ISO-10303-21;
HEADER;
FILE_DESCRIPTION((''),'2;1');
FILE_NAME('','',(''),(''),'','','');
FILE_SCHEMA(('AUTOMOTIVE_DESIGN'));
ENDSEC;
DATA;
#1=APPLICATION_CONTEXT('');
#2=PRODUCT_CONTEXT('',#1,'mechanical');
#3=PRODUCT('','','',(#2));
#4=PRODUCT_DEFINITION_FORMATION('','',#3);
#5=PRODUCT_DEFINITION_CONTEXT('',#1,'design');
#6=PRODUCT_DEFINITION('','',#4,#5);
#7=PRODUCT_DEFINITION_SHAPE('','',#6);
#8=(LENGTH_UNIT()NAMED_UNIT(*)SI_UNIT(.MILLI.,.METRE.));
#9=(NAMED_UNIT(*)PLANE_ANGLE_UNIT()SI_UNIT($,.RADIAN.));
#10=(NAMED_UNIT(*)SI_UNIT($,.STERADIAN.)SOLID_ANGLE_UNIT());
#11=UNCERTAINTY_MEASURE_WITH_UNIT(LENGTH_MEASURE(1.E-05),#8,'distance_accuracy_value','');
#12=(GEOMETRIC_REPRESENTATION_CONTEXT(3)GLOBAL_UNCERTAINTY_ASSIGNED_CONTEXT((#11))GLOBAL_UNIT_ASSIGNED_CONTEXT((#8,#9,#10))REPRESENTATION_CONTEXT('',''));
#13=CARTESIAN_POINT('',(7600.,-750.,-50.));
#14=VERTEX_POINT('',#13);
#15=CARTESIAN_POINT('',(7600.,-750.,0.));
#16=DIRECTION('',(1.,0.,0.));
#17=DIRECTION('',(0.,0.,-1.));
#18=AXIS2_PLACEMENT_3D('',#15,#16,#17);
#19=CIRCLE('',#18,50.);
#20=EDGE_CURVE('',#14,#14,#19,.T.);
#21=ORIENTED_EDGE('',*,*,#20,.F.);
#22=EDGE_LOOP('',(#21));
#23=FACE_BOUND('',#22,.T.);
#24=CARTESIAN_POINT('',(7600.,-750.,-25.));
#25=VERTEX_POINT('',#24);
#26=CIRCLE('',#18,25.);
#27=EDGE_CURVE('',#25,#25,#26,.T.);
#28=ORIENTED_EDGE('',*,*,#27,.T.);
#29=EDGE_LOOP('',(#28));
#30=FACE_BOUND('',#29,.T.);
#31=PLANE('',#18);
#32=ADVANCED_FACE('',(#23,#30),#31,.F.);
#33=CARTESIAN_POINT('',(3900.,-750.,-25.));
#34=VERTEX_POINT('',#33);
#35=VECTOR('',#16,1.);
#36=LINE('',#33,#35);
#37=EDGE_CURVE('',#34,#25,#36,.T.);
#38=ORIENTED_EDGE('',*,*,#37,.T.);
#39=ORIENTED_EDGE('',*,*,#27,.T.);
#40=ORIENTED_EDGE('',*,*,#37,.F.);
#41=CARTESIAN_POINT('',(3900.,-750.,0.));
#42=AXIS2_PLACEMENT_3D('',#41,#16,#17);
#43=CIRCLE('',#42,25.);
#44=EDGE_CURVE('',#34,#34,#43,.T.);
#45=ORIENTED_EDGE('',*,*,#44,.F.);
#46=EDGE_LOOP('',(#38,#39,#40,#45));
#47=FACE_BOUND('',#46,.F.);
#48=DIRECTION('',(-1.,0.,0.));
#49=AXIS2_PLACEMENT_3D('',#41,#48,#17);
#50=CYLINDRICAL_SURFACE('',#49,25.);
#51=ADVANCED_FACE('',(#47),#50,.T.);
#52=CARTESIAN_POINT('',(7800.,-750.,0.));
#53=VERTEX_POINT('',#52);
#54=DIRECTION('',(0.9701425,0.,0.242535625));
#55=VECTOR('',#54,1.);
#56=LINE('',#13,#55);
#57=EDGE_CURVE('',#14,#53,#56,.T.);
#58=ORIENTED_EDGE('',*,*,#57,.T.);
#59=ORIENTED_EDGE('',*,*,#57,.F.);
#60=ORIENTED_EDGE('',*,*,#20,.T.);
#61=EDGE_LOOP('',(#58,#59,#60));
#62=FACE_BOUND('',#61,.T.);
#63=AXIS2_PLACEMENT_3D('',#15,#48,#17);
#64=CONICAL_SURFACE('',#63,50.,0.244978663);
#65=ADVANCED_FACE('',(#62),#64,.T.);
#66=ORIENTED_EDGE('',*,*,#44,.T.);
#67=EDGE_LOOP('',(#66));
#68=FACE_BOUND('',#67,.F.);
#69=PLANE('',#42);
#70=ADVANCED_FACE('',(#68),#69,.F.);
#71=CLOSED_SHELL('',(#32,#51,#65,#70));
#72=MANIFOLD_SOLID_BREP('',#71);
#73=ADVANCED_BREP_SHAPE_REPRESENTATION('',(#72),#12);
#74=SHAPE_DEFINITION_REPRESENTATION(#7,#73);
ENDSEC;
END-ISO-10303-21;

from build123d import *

# Parameters (mm, degrees)
CYLINDER003_R     = 25
CYLINDER003_DEPTH = 3700


with BuildPart() as cone004:
    # Cone004 → Cone004 (revolve)
    with BuildSketch(Plane(origin=(3700, 0, 0), x_dir=(0, 0, -1), z_dir=(0, -1, 0))):
        Polygon((0, 0), (50, 0), (0, 200), align=None)
    revolve(axis=Axis((3700, 0, 0), (1, 0, 0)))


with BuildPart() as fusion015:
    # Cylinder003 → Cylinder003 (new body)
    with BuildSketch(Plane(origin=(0, 0, 0), x_dir=(0, 0, -1), z_dir=(1, 0, 0))):
        Circle(CYLINDER003_R)
    extrude(amount=CYLINDER003_DEPTH)

    # Fusion015: union Cone004
    add(cone004.part)


with BuildPart() as fusion015_1:
    # Fusion015 placement: moved
    add(fusion015.part.moved(Location((3900, -750, 0))))


solid = fusion015_1.part
